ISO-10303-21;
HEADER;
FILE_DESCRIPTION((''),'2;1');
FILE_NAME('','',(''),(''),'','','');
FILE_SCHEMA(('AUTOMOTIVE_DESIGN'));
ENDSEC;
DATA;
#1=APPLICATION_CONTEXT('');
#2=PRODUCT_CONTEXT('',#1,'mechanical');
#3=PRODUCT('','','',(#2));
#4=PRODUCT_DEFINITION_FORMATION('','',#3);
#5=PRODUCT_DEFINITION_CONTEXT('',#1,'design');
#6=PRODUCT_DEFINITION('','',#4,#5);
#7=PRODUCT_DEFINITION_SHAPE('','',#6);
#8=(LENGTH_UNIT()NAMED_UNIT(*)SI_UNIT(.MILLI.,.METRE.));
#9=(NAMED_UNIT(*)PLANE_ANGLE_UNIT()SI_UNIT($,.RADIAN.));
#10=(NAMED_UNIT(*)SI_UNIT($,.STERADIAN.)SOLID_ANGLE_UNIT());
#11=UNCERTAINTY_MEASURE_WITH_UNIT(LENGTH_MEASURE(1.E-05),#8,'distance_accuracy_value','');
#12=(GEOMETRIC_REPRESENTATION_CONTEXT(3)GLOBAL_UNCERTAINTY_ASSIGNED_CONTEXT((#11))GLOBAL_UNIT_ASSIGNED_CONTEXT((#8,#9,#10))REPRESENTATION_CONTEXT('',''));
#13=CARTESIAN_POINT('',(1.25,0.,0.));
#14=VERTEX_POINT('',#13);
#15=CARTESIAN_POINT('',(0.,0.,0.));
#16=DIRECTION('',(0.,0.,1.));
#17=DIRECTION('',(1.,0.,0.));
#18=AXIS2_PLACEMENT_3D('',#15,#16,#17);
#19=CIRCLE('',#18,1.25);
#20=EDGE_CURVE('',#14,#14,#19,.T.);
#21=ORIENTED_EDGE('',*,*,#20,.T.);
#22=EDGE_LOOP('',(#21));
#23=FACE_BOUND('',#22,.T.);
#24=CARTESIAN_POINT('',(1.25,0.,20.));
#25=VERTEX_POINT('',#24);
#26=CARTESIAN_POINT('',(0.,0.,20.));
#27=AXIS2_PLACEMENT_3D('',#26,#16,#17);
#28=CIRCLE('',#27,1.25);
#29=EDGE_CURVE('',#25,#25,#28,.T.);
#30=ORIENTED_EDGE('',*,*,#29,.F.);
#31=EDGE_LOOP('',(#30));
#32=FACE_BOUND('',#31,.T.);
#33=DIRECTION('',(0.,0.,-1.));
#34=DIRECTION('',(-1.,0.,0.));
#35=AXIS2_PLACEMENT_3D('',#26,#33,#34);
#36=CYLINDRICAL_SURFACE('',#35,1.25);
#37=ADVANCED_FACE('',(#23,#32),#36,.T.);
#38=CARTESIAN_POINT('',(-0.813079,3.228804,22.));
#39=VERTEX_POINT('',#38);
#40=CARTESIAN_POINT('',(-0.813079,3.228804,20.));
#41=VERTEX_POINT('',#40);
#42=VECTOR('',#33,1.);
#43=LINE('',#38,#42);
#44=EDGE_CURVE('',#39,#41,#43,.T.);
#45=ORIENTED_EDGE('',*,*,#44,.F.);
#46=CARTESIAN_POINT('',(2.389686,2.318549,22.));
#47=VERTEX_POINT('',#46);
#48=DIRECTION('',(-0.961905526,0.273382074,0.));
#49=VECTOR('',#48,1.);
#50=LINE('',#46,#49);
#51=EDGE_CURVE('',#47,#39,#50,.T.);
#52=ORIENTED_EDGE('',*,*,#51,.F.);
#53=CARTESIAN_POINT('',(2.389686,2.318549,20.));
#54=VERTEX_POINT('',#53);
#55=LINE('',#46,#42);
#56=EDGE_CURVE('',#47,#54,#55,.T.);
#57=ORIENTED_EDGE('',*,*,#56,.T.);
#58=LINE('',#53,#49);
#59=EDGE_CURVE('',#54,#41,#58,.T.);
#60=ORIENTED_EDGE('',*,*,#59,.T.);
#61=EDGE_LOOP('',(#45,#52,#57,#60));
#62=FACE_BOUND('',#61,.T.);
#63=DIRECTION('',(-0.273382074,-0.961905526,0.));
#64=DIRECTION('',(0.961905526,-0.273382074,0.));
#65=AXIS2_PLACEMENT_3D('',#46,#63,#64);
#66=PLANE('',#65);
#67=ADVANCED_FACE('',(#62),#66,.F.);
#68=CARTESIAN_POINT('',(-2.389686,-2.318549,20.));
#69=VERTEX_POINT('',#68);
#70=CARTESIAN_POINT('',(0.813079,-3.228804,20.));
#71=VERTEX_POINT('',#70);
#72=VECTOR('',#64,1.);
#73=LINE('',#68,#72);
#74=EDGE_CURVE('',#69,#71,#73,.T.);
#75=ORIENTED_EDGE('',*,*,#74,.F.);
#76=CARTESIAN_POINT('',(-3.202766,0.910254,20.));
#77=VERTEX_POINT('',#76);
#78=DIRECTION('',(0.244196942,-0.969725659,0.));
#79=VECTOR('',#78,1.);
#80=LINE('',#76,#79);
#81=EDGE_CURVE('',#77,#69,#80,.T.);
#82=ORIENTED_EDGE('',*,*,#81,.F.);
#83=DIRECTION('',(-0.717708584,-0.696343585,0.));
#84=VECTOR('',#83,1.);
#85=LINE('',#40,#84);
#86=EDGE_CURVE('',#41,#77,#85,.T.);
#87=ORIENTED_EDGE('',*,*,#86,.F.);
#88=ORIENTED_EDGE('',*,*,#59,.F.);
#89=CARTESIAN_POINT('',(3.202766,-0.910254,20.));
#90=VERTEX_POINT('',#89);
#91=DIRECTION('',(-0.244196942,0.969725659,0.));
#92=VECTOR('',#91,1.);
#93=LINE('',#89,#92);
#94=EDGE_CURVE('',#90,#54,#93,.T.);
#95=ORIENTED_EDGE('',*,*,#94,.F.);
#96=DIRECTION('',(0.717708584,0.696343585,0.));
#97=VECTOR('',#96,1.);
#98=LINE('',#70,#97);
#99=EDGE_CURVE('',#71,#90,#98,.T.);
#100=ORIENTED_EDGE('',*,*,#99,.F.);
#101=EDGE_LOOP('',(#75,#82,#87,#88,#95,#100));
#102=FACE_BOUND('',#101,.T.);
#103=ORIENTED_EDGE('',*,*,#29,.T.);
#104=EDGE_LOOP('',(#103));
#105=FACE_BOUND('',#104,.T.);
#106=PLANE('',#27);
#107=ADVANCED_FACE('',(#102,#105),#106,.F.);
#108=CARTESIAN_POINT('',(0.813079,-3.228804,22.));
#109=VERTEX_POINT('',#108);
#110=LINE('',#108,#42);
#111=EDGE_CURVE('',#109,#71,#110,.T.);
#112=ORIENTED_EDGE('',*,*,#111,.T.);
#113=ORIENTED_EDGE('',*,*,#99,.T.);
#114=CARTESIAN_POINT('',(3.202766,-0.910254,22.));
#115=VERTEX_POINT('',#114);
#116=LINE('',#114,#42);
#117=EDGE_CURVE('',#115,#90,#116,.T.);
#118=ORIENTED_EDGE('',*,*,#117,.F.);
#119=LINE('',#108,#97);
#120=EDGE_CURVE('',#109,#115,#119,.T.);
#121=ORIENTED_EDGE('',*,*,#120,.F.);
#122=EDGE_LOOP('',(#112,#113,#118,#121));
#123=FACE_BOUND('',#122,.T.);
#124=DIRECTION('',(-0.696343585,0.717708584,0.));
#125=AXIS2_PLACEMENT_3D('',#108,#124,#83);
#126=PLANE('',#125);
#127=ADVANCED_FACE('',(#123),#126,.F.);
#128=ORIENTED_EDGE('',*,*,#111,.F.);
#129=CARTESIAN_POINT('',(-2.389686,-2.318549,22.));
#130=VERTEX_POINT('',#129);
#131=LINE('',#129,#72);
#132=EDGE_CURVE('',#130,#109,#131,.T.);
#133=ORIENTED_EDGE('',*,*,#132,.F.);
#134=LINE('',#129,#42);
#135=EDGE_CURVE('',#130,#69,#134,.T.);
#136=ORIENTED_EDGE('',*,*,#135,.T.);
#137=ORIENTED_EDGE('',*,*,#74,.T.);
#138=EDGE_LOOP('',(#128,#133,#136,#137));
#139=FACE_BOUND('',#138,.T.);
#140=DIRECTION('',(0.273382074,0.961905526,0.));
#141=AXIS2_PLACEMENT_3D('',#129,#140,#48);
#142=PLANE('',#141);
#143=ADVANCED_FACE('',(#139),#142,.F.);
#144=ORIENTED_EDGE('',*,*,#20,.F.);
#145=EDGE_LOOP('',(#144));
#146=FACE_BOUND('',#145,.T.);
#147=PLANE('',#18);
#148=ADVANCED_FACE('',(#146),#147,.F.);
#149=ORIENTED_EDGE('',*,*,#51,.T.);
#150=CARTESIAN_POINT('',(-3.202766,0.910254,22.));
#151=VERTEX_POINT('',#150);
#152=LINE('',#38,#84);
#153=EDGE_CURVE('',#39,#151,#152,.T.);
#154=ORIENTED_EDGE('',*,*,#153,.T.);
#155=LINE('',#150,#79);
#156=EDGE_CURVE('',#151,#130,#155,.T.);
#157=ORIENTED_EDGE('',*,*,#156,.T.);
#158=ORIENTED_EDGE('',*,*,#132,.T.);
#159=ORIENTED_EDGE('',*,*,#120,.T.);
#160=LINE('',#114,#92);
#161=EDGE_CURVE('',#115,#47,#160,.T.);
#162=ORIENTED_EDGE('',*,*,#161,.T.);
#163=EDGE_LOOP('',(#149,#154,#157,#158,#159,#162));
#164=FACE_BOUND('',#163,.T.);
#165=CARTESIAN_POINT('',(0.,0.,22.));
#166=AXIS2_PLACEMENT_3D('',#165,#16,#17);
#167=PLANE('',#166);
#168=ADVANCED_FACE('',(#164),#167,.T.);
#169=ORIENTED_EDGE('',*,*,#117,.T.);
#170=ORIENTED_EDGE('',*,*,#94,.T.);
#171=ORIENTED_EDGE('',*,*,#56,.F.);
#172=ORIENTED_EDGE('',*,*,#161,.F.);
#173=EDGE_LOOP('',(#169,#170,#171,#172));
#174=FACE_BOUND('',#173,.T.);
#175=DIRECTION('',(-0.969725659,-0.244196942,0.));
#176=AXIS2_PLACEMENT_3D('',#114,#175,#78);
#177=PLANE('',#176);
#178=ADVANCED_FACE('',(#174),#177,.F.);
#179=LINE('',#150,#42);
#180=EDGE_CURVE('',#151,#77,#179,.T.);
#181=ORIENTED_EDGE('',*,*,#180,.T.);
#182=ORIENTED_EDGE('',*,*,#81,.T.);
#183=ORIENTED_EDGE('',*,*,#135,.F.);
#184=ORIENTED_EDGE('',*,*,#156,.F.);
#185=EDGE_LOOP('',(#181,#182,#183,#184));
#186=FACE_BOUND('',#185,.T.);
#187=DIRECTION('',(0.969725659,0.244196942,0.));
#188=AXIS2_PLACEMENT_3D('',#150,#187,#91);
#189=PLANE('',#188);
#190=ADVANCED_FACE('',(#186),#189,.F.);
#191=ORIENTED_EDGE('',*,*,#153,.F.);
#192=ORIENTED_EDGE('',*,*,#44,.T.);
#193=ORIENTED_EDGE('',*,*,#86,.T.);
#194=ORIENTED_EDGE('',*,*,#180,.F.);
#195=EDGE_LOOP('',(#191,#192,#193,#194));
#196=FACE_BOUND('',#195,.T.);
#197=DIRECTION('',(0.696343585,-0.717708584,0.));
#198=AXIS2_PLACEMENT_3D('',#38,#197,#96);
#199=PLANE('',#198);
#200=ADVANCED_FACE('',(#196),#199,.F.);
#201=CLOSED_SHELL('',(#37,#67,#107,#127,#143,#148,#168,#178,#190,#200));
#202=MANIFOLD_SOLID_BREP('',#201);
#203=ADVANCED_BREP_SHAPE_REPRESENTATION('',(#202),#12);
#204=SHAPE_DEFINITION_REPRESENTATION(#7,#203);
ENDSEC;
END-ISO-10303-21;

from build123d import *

# Parameters (mm, degrees)
SKETCH_1_R      = 1.25
EXTRUDE_1_DEPTH = 20
EXTRUDE_2_DEPTH = 2


with BuildPart() as part:
    # Эскиз1 → Бобышка-Вытянуть1 (new body)
    with BuildSketch(Plane.XY):
        Circle(SKETCH_1_R)
    extrude(amount=EXTRUDE_1_DEPTH)

    # Эскиз3 → Бобышка-Вытянуть2 (add)
    with BuildSketch(Plane.XY.offset(20)):
        Polygon((2.389686291, 2.318549277), (-0.813079428, 3.228803674), (-3.20276572, 0.910254397), (-2.389686291, -2.318549277), (0.813079428, -3.228803674), (3.20276572, -0.910254397), align=None)
    extrude(amount=EXTRUDE_2_DEPTH)


solid = part.part
